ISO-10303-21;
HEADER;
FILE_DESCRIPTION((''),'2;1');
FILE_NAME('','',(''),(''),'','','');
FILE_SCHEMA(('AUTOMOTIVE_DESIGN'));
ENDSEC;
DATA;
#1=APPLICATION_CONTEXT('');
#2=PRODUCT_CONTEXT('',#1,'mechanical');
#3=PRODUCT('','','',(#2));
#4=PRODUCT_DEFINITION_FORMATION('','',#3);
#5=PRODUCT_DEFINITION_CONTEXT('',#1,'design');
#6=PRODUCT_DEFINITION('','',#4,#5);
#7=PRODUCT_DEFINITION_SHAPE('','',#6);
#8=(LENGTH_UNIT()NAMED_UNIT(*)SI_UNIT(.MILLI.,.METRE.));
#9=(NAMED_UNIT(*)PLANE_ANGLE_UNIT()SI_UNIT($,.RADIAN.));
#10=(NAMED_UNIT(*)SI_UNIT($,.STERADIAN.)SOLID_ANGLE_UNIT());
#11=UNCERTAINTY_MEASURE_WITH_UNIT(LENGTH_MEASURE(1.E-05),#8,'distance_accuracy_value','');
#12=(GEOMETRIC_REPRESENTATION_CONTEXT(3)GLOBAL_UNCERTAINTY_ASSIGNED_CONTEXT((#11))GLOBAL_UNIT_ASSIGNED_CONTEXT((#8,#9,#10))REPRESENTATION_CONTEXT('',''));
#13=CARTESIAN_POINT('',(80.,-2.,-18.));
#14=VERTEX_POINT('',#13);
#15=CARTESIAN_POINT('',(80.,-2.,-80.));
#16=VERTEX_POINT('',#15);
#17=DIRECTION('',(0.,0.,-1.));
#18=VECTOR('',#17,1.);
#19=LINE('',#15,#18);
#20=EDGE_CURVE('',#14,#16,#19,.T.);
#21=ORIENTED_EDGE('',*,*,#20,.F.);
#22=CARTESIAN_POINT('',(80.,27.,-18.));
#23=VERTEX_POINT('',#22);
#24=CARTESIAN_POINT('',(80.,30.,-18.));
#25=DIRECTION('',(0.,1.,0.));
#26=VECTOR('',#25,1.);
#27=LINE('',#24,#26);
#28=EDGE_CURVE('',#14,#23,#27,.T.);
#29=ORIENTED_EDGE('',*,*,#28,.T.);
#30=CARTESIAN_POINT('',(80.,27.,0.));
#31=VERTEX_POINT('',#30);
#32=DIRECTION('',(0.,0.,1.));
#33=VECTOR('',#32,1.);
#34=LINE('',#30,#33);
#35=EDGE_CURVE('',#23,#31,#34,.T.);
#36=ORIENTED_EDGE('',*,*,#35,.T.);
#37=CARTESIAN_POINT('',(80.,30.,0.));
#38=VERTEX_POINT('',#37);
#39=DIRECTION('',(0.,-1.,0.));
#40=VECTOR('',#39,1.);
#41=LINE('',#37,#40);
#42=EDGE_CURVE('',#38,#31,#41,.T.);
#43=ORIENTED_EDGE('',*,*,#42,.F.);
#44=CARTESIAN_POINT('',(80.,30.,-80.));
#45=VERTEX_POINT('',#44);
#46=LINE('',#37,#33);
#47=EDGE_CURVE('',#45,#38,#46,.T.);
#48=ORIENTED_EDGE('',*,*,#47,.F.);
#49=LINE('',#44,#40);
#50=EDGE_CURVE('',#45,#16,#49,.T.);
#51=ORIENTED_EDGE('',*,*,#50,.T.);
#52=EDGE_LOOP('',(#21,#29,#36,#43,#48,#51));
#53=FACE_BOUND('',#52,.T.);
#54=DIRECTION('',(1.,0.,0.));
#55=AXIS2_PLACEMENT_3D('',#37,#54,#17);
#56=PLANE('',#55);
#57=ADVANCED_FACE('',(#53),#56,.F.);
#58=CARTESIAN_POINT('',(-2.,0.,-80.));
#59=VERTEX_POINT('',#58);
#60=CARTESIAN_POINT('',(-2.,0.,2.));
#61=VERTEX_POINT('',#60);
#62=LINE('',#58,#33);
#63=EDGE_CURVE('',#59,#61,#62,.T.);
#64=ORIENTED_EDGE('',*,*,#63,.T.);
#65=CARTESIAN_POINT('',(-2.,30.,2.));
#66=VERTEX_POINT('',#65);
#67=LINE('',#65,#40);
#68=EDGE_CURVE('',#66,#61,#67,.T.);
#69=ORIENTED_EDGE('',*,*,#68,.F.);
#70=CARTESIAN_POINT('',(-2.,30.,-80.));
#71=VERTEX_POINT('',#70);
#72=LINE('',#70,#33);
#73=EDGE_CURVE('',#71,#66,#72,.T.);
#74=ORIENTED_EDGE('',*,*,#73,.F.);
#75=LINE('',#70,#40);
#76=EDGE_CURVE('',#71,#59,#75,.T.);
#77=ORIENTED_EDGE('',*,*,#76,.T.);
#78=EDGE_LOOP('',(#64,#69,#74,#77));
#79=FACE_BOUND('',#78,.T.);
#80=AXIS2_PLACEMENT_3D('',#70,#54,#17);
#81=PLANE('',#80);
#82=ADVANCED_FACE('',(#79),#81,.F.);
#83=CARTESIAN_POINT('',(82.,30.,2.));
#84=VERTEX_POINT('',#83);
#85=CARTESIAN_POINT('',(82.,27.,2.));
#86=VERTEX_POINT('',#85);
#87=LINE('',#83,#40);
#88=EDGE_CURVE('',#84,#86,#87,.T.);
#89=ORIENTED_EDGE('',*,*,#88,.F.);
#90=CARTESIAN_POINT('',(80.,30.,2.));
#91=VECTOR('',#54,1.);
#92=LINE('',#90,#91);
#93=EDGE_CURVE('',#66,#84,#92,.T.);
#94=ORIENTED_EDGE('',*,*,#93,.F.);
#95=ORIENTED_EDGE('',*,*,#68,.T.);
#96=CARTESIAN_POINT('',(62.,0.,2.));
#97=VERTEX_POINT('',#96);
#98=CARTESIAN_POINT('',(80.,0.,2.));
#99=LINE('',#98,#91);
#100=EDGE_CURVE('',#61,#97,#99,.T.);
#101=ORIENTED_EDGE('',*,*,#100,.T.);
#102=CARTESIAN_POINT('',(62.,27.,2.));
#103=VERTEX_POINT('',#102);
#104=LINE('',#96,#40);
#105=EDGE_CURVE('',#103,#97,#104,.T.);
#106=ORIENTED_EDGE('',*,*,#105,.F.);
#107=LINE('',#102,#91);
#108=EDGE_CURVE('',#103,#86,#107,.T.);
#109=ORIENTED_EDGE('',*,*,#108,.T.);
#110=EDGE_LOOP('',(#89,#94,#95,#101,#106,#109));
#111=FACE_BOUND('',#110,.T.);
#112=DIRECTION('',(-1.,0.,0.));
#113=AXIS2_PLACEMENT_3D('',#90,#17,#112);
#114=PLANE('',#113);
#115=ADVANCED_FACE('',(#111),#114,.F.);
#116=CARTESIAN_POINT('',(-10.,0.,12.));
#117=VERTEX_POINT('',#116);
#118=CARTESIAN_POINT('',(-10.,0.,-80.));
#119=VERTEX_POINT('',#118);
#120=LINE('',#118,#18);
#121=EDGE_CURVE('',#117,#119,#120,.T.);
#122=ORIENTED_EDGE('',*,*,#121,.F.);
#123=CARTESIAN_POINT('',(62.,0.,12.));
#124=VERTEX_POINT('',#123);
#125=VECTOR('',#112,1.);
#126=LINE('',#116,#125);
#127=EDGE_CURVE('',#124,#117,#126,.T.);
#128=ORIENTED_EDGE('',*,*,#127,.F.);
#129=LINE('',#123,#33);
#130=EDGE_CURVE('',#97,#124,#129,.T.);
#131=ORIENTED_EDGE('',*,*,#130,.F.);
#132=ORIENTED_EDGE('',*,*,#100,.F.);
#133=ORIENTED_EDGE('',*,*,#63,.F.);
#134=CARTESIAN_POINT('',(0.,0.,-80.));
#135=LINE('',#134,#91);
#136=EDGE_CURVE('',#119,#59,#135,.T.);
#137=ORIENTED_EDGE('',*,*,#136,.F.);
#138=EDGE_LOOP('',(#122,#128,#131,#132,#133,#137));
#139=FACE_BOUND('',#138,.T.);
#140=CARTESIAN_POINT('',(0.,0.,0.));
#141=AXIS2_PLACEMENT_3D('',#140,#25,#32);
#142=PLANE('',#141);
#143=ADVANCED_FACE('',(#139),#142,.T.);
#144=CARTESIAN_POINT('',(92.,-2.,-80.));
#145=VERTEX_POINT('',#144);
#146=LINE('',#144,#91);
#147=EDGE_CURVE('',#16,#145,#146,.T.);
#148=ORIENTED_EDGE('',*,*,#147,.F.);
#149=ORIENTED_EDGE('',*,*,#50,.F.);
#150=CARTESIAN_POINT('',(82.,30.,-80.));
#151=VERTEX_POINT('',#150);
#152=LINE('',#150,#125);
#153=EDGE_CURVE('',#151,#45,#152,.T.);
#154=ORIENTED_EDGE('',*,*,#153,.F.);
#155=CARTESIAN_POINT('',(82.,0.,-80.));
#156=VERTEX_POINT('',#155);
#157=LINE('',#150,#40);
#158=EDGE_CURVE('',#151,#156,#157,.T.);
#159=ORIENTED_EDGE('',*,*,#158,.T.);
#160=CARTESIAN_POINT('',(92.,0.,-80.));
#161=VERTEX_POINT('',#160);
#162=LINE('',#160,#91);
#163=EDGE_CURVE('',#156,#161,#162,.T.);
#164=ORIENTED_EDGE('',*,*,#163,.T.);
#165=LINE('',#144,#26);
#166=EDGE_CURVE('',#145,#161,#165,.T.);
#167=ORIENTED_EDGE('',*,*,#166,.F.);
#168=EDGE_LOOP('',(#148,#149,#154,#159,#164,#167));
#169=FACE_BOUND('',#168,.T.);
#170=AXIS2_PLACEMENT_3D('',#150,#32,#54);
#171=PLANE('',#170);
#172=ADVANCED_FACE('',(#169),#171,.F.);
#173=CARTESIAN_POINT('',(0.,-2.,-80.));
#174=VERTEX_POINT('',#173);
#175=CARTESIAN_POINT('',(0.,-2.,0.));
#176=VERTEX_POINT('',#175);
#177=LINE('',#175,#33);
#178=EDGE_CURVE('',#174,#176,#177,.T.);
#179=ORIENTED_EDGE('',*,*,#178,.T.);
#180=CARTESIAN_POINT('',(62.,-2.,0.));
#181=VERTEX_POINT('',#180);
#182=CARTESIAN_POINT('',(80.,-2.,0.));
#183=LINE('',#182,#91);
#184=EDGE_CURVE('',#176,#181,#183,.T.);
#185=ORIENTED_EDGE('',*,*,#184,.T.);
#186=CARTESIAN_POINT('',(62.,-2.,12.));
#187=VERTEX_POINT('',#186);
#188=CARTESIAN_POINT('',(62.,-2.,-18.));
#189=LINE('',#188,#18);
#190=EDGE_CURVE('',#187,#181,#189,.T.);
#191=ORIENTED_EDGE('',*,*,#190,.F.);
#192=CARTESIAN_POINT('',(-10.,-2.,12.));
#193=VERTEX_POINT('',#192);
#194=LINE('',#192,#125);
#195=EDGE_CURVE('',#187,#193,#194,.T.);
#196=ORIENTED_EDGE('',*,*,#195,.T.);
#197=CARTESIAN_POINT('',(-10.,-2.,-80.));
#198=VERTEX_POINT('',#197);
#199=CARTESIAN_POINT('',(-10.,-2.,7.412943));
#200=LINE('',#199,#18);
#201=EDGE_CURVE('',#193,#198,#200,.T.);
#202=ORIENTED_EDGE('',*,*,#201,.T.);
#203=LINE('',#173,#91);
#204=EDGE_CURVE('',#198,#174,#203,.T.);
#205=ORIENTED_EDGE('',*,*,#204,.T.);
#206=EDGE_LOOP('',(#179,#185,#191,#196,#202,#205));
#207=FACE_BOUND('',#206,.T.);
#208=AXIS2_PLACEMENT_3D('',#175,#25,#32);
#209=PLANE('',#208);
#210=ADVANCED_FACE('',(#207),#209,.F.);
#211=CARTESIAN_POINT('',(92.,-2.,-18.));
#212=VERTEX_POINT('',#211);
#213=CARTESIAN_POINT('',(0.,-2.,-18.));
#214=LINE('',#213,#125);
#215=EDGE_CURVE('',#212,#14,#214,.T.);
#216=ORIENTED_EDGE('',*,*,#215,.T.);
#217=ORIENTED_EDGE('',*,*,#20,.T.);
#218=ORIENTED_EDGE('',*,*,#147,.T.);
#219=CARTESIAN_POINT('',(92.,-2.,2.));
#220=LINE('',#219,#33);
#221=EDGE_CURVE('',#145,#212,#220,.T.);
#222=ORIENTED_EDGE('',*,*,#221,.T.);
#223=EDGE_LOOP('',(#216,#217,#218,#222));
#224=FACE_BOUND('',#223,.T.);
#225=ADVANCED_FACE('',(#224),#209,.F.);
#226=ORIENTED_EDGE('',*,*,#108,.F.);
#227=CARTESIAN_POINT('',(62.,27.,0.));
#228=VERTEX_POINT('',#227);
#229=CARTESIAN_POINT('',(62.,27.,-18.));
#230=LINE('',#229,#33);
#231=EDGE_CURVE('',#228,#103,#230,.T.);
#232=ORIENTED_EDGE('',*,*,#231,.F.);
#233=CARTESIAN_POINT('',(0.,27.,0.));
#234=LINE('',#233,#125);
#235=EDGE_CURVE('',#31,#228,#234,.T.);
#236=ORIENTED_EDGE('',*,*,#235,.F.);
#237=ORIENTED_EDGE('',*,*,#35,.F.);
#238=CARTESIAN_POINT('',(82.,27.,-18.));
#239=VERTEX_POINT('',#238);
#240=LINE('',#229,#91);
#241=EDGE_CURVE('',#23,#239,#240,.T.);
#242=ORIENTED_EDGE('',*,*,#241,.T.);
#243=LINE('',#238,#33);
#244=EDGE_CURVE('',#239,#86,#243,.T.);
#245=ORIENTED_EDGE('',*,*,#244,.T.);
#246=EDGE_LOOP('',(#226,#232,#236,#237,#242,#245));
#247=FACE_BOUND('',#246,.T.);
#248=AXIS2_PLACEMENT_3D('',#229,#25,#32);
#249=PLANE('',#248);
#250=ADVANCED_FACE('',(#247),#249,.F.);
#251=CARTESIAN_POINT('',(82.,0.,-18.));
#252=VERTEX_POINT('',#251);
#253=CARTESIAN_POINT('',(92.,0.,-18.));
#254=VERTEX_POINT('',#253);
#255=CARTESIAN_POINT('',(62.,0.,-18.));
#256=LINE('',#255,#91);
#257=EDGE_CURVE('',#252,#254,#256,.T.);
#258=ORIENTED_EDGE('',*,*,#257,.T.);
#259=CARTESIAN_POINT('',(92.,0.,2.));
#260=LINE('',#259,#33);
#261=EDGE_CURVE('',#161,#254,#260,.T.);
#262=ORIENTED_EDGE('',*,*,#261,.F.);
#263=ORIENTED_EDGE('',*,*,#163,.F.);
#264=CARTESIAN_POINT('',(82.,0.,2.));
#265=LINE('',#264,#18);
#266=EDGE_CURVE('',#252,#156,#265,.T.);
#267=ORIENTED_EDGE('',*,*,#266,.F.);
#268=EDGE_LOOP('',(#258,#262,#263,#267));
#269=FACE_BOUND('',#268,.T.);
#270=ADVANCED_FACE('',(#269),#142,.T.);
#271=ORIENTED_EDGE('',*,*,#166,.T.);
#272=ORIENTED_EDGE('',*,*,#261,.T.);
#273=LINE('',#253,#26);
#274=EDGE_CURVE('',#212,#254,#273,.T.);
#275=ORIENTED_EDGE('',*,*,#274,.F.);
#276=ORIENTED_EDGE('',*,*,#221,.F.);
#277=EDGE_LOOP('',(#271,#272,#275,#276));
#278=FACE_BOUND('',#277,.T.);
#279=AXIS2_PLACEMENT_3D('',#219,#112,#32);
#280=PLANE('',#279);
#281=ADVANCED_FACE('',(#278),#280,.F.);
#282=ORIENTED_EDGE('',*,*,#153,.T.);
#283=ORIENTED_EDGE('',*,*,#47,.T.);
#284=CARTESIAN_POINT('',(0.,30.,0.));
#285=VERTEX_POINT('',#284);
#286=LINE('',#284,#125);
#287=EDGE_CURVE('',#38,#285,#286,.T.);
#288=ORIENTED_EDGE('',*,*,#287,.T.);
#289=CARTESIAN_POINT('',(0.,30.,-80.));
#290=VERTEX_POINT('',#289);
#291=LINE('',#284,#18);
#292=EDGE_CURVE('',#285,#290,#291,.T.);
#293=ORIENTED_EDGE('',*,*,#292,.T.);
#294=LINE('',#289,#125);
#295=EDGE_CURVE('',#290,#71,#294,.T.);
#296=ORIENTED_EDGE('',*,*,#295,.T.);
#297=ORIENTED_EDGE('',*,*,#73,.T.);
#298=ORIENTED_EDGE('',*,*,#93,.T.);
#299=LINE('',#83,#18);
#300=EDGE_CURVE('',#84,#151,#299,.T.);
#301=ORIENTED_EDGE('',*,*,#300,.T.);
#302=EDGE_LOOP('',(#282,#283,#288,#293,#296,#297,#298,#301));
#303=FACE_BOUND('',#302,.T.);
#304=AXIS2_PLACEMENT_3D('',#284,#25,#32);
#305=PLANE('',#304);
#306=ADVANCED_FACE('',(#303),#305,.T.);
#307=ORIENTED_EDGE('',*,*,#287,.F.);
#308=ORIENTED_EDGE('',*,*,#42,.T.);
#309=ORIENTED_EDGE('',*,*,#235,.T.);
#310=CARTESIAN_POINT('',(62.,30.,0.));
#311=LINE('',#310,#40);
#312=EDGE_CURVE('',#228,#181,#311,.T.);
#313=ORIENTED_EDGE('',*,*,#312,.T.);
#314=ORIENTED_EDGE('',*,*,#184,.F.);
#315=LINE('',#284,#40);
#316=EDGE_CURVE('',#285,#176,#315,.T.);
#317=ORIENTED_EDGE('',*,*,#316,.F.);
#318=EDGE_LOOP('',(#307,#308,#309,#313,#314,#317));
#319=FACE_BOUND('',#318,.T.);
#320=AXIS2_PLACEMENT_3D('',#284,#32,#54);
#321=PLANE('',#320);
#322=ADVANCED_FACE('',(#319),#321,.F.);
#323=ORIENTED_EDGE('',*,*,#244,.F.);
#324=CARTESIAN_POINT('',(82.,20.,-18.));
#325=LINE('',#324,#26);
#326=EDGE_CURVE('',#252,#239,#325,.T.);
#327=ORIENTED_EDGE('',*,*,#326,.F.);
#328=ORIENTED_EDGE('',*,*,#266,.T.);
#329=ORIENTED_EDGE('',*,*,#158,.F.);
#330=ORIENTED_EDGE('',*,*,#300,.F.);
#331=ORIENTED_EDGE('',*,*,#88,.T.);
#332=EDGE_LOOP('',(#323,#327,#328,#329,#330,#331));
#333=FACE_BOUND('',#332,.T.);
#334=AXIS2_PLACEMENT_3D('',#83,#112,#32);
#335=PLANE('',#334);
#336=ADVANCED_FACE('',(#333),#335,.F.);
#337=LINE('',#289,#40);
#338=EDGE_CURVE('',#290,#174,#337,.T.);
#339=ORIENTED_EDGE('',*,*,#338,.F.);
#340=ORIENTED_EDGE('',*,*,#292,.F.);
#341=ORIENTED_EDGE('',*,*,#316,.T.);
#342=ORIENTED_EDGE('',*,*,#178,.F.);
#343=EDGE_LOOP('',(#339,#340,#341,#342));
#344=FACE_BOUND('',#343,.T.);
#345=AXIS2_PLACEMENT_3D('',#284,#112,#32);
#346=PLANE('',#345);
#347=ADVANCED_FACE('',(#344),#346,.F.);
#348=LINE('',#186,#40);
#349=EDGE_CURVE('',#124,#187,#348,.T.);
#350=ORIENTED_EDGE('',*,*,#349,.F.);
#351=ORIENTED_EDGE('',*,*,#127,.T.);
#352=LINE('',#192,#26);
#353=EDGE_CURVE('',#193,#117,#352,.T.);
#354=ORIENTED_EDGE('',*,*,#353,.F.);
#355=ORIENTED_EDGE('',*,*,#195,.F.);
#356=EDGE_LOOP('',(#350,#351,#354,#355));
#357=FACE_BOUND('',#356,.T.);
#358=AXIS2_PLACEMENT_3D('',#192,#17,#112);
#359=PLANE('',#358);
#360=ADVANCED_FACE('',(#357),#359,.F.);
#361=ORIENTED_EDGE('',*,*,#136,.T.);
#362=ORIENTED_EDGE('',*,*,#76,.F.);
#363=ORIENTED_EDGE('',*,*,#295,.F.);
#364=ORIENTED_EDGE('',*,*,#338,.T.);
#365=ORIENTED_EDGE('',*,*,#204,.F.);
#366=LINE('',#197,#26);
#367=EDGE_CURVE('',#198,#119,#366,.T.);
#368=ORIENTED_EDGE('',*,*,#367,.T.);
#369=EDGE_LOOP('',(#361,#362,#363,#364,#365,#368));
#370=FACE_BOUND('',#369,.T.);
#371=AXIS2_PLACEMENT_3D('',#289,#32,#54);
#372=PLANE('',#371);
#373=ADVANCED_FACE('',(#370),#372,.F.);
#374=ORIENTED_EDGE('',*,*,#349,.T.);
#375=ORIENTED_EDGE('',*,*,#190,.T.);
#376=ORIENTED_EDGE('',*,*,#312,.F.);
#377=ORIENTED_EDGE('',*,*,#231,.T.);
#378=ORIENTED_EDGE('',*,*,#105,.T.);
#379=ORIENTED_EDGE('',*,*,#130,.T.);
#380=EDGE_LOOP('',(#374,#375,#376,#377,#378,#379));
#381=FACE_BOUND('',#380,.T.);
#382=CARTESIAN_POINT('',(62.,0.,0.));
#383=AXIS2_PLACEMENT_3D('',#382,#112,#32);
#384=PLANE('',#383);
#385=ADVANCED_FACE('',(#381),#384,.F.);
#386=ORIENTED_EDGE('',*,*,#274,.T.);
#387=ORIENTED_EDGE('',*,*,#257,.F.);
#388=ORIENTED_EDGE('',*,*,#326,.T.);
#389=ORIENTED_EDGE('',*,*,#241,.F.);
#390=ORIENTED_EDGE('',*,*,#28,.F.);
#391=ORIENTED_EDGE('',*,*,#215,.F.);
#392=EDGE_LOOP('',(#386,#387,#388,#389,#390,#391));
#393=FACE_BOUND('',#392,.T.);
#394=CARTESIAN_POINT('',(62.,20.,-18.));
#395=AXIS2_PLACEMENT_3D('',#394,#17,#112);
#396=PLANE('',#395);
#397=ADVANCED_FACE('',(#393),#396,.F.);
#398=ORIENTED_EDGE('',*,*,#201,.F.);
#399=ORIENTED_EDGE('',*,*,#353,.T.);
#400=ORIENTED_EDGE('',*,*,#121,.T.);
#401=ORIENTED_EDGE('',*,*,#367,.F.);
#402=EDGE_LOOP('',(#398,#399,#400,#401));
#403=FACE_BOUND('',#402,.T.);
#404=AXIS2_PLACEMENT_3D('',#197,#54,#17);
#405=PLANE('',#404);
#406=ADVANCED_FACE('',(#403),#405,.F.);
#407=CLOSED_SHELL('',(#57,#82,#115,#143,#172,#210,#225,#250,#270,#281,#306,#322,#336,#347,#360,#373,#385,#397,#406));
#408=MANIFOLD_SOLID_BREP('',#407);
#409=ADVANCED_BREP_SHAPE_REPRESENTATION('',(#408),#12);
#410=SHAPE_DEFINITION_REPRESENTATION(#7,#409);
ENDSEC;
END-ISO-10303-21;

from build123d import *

# Parameters (mm, degrees)
BOSS_EXTRUDE1_DEPTH = 30
SKETCH2_W           = 20
SKETCH2_H           = 20
CUT_EXTRUDE1_DEPTH  = 20
BOSS_EXTRUDE2_DEPTH = 2
SKETCH4_W           = 30
SKETCH4_H           = 2
CUT_EXTRUDE2_DEPTH  = 30
SKETCH5_W           = 20
SKETCH5_H           = 7
CUT_EXTRUDE3_DEPTH  = 20


with BuildPart() as part:
    # Sketch1 → Boss-Extrude1 (new body)
    with BuildSketch(Plane(origin=(0, 0, 0), x_dir=(1, 0, 0), z_dir=(0, 1, 0))):
        Polygon((0, 0), (80, 0), (80, 80), (82, 80), (82, -2), (80, -2), (-2, -2), (-2, 80), (0, 80), align=None)
    extrude(amount=BOSS_EXTRUDE1_DEPTH)

    # Sketch2 → Cut-Extrude1 (cut)
    with BuildSketch(Plane(origin=(82, 0, 0), x_dir=(0, 0, -1), z_dir=(1, 0, 0))):
        with Locations((8, 10)):
            Rectangle(SKETCH2_W, SKETCH2_H)
    extrude(amount=-CUT_EXTRUDE1_DEPTH, mode=Mode.SUBTRACT)

    # Sketch3 → Boss-Extrude2 (add)
    with BuildSketch(Plane.XZ):
        Polygon((0, -80), (-10, -80), (-10, 7.412942582), (-10, 12), (92, 12), (92, 2), (92, -80), (80, -80), (80, 0), (0, 0), align=None)
    extrude(amount=BOSS_EXTRUDE2_DEPTH)

    # Sketch4 → Cut-Extrude2 (cut)
    with BuildSketch(Plane(origin=(92, 0, 0), x_dir=(0, 0, -1), z_dir=(1, 0, 0))):
        with Locations((3, -1)):
            Rectangle(SKETCH4_W, SKETCH4_H)
    extrude(amount=-CUT_EXTRUDE2_DEPTH, mode=Mode.SUBTRACT)

    # Sketch5 → Cut-Extrude3 (cut)
    with BuildSketch(Plane(origin=(82, 0, 0), x_dir=(0, 0, -1), z_dir=(1, 0, 0))):
        with Locations((8, 23.5)):
            Rectangle(SKETCH5_W, SKETCH5_H)
    extrude(amount=-CUT_EXTRUDE3_DEPTH, mode=Mode.SUBTRACT)


solid = part.part
